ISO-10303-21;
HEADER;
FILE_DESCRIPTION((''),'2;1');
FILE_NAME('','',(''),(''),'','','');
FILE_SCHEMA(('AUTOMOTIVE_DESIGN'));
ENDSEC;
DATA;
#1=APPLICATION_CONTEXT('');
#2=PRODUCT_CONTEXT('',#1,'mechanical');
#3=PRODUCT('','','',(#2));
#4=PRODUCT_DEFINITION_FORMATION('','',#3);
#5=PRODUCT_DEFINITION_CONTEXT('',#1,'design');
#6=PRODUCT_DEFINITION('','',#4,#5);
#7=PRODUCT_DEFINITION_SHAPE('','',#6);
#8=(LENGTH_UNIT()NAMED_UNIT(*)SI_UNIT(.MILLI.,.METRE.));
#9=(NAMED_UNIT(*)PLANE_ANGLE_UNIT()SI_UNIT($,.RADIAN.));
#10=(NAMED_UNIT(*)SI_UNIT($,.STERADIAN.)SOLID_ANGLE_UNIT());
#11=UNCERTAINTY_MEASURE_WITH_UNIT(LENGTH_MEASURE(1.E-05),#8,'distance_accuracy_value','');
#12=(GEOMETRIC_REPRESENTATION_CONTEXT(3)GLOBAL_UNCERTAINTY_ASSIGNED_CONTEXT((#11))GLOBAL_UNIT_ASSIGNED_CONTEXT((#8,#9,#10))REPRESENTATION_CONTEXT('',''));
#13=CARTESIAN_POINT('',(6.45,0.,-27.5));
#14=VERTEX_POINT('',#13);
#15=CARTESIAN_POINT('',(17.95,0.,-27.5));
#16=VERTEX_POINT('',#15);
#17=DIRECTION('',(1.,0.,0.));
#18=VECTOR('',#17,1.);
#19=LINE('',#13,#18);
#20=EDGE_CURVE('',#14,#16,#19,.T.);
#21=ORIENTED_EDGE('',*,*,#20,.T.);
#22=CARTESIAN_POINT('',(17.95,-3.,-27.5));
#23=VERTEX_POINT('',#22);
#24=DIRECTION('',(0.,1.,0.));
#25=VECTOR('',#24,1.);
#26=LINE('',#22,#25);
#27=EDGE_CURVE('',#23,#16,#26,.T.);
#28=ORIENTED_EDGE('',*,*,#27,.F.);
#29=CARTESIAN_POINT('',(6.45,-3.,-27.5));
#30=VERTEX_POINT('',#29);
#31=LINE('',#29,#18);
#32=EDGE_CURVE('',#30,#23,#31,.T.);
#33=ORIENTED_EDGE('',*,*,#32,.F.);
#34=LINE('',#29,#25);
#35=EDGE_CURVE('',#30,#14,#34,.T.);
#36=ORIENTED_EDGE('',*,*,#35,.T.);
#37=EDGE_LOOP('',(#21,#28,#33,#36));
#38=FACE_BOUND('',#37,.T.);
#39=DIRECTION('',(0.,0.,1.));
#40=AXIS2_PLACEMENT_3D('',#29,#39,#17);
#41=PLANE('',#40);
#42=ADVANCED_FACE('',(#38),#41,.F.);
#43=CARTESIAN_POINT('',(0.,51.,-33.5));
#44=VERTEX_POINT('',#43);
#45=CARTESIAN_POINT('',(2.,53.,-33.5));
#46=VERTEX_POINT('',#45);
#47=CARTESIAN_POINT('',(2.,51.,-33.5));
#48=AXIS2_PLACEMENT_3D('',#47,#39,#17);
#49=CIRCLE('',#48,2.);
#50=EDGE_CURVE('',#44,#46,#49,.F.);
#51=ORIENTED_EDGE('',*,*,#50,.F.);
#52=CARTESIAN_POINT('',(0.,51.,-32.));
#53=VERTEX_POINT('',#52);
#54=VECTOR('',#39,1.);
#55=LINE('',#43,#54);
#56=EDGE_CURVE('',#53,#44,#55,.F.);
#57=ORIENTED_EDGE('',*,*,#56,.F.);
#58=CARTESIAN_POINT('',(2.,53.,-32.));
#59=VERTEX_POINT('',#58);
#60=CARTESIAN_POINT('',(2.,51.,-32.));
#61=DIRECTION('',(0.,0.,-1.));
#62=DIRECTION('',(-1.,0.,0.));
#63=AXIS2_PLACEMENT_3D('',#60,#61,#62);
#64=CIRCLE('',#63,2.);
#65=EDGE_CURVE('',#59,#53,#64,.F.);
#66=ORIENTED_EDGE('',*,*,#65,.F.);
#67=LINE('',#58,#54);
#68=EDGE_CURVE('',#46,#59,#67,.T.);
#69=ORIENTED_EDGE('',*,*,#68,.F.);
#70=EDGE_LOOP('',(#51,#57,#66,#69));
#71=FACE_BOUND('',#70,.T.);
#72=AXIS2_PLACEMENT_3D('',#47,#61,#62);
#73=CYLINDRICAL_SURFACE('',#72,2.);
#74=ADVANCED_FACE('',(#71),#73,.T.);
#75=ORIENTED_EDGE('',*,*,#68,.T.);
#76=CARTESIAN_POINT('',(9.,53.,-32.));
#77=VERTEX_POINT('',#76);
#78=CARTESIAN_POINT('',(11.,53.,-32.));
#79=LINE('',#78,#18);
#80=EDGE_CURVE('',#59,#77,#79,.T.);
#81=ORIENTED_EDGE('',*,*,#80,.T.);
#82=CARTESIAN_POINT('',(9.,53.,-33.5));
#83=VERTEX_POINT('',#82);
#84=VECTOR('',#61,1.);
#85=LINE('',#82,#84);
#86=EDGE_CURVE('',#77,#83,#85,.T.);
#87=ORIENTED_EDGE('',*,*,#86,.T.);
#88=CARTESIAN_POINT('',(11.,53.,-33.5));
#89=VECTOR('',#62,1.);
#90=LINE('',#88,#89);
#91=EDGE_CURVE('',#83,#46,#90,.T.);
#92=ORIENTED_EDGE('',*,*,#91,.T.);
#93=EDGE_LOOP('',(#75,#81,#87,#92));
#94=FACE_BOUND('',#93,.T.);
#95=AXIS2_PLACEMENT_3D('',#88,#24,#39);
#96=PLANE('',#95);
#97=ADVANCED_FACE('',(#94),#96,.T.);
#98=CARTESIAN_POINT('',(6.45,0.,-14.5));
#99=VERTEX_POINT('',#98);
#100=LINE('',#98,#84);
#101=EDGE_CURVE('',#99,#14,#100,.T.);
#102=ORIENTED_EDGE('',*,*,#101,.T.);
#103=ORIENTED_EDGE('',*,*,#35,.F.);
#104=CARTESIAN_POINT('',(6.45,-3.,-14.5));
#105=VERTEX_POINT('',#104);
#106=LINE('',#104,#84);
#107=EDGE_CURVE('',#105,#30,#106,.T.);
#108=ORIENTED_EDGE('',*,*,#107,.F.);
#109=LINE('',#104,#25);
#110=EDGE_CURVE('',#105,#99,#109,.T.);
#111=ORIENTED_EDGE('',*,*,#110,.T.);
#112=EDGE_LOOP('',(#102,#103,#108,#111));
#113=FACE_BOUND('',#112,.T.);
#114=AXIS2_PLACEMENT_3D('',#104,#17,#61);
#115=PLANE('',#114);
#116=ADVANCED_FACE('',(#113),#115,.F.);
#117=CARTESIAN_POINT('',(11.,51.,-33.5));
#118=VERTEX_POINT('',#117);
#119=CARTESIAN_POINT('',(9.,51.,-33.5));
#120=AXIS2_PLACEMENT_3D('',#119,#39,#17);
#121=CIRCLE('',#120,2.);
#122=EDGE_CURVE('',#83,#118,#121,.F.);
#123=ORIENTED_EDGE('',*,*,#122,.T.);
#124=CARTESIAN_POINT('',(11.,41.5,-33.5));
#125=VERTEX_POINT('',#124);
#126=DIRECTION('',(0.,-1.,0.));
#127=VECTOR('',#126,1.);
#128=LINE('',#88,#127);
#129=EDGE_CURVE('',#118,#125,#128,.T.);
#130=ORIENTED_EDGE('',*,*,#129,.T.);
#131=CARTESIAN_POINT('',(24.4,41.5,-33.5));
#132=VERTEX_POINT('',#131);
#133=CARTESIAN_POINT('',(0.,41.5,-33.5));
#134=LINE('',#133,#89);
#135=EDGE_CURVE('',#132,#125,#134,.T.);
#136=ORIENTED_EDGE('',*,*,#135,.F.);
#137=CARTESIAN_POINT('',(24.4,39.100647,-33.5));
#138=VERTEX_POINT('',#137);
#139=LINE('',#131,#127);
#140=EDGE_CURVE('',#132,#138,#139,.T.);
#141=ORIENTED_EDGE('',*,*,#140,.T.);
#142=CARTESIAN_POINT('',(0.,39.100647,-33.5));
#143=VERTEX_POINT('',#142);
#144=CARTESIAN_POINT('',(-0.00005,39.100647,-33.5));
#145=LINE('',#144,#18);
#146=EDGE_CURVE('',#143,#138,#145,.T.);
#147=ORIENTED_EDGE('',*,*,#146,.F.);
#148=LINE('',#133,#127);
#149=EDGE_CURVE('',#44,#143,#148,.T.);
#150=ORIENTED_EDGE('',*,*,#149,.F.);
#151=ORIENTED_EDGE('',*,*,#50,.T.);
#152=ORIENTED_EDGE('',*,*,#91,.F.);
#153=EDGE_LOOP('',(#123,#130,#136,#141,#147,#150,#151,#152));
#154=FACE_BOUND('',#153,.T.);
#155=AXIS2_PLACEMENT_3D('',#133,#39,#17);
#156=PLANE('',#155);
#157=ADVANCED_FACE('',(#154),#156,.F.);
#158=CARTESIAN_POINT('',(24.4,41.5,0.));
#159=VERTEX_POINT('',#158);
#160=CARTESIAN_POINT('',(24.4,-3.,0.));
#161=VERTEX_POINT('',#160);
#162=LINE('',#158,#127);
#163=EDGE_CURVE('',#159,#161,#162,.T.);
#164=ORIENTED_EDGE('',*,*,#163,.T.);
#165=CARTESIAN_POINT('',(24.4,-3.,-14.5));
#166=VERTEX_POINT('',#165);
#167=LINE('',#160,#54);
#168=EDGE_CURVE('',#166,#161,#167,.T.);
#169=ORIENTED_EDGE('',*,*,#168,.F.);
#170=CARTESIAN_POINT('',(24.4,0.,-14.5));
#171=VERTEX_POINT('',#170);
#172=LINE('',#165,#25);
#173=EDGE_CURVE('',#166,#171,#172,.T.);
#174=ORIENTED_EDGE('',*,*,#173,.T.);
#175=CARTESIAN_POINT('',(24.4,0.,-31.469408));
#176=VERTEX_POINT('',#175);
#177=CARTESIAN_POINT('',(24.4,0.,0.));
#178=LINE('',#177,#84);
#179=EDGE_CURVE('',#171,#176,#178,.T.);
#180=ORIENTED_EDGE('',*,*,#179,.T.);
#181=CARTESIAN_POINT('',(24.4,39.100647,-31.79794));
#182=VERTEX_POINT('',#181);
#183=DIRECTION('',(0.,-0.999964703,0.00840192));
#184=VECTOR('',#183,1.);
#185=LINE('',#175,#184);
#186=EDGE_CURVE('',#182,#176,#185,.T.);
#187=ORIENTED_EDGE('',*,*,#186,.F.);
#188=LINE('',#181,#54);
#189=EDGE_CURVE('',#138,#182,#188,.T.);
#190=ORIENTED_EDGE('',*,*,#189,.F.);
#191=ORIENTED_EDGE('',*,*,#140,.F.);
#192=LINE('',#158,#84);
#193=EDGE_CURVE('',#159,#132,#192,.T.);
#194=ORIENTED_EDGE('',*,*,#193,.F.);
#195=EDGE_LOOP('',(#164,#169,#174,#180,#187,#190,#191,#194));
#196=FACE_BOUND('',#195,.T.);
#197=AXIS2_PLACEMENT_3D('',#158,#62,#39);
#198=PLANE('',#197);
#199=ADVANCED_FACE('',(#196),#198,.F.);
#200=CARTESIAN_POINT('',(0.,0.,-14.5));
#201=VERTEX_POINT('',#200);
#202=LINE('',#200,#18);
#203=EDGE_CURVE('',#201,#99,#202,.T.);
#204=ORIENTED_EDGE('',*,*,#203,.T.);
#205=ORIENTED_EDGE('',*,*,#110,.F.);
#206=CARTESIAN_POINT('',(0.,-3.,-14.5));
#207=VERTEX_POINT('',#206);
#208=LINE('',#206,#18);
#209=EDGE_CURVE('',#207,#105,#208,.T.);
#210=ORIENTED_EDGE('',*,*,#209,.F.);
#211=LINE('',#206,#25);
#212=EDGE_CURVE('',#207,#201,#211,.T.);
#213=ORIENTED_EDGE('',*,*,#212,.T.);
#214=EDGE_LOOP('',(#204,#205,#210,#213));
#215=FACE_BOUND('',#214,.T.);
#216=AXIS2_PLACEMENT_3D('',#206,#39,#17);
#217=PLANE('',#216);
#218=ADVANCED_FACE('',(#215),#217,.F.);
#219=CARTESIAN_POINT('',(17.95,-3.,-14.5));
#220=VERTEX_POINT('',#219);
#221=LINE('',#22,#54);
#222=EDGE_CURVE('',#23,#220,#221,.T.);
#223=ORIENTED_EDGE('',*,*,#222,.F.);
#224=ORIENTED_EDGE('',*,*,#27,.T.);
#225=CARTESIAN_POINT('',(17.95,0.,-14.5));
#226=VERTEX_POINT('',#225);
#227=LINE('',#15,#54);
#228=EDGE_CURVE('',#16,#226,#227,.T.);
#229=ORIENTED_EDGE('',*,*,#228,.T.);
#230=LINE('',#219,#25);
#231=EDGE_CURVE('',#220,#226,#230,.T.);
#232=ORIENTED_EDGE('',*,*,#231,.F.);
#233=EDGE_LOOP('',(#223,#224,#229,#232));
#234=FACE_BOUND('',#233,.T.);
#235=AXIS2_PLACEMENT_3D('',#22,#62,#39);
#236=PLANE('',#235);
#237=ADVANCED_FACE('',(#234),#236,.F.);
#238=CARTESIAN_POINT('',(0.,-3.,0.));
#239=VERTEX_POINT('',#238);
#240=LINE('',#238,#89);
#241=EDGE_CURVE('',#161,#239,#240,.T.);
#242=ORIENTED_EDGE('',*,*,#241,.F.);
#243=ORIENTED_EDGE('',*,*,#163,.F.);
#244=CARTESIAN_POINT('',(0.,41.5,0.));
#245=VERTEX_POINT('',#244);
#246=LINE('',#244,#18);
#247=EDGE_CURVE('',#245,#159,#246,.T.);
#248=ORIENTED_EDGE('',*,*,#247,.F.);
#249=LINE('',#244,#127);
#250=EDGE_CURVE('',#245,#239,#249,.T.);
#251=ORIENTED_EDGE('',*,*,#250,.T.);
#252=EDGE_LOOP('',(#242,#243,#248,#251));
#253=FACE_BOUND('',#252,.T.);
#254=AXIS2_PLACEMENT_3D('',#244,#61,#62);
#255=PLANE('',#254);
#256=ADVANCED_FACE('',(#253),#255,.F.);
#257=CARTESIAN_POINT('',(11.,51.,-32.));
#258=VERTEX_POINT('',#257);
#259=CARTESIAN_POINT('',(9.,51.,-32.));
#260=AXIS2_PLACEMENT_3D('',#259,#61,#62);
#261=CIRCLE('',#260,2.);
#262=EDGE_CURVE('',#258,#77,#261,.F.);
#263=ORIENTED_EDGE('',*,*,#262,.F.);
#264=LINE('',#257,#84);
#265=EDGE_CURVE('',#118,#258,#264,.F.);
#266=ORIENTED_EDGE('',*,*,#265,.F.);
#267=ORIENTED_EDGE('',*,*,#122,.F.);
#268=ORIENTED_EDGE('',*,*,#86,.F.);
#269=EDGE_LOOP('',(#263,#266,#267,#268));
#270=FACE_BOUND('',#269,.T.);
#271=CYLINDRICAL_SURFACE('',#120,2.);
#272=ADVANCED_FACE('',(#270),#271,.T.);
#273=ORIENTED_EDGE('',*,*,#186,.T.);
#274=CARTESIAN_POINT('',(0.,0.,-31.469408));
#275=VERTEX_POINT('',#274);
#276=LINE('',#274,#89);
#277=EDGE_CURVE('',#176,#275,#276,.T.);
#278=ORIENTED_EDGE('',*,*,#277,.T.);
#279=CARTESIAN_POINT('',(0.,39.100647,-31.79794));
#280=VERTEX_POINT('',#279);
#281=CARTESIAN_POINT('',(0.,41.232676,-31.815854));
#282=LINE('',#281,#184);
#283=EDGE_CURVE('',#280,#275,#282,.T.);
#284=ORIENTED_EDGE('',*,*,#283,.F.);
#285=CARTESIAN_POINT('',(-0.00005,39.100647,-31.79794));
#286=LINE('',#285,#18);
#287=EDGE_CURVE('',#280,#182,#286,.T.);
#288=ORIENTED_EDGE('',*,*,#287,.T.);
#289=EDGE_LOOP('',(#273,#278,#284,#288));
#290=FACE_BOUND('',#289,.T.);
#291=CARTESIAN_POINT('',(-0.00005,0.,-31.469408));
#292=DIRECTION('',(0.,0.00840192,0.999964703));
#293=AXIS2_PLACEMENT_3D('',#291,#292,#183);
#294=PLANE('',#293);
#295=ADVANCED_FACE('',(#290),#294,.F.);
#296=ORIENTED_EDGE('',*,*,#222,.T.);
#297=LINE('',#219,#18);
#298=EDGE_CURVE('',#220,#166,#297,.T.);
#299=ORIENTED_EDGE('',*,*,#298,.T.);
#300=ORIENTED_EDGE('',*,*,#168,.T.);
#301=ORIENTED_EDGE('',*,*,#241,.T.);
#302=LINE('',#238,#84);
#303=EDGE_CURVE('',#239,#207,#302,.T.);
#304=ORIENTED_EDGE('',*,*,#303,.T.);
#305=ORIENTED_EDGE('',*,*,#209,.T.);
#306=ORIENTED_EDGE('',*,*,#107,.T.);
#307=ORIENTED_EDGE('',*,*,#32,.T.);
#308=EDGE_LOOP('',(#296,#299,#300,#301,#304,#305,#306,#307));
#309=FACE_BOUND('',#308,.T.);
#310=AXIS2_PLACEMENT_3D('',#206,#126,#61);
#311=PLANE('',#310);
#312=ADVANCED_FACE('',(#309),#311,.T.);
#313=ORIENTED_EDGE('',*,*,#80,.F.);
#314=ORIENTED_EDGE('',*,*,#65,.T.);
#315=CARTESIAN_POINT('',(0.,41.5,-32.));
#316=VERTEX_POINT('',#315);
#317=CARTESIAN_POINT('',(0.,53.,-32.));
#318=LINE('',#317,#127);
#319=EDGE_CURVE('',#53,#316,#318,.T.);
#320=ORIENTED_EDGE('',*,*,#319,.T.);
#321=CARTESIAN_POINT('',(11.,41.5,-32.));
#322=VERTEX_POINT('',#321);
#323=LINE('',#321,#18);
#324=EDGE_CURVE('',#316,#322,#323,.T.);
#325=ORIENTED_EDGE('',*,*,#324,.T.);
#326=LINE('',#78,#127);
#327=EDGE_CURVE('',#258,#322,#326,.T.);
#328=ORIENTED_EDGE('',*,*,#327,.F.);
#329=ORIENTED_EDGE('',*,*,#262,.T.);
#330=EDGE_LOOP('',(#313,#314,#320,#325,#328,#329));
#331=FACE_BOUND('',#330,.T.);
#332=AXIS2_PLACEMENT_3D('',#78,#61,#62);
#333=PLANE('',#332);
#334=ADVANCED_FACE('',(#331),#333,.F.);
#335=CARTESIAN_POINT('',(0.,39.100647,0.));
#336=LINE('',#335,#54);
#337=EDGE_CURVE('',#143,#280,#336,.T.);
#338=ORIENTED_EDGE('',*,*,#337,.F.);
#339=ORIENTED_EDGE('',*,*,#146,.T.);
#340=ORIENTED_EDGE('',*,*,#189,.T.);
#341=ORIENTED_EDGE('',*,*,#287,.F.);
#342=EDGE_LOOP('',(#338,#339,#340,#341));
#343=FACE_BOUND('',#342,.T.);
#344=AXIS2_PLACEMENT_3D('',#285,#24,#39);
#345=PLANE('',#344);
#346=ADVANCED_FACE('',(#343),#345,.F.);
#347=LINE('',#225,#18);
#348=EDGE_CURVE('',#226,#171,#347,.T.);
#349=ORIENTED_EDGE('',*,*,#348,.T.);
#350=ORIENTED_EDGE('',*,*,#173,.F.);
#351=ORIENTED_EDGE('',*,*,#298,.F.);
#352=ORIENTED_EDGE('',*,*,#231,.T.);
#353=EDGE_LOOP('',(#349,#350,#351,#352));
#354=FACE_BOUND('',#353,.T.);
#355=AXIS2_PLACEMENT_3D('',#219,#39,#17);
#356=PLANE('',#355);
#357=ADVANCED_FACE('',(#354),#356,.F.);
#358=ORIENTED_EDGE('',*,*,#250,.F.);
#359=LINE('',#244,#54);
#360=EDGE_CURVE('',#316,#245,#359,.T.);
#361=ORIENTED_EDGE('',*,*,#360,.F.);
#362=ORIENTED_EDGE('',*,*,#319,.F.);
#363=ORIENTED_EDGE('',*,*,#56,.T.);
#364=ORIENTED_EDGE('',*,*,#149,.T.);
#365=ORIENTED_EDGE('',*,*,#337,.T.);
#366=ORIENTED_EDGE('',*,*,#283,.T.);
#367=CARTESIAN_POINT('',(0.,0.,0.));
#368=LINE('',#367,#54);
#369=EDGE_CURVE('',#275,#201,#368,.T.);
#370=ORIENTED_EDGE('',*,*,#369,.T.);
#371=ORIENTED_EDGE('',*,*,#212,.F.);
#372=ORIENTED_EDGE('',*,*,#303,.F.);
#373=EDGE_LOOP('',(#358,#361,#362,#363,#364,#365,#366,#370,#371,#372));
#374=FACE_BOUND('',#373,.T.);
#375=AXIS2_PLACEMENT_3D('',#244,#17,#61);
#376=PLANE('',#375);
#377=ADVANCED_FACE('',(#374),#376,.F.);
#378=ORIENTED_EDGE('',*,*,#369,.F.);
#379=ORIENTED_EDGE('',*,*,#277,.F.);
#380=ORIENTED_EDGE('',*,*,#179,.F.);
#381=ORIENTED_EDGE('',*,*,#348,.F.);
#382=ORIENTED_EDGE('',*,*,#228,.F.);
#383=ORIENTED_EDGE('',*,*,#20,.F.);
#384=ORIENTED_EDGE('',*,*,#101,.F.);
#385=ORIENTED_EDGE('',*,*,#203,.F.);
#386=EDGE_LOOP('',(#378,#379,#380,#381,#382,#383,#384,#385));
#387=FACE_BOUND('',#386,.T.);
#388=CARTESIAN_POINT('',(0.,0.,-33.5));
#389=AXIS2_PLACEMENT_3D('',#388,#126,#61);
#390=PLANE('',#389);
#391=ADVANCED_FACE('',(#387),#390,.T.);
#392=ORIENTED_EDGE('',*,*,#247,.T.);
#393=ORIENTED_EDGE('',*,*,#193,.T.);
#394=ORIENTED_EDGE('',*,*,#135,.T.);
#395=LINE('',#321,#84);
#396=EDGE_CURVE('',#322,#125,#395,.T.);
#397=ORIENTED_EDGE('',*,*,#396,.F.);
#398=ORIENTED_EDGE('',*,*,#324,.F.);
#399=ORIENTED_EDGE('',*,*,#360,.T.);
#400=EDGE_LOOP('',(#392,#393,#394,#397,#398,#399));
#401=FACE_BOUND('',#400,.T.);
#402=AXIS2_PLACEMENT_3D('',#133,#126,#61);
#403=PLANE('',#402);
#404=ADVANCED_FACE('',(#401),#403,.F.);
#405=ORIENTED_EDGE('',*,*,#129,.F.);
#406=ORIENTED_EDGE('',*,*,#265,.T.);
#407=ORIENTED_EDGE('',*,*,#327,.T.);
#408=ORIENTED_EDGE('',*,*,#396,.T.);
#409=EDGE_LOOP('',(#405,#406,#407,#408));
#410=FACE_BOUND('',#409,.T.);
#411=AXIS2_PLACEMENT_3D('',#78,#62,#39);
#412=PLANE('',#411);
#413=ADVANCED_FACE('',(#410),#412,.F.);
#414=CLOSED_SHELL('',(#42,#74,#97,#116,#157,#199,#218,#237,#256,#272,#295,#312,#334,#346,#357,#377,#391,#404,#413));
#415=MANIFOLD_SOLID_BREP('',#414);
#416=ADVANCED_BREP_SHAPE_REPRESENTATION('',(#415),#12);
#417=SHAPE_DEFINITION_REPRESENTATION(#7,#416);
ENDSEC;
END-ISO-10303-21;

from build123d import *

# Parameters (mm, degrees)
SKETCH1_W           = 24.4
SKETCH1_H           = 33.5
BOSS_EXTRUDE1_DEPTH = 41.5
BOSS_EXTRUDE2_DEPTH = 3
SKETCH4_W           = 11
SKETCH4_H           = 1.5
BOSS_EXTRUDE3_DEPTH = 11.5
CUT_EXTRUDE1_DEPTH  = 25.4
FILLET1_R           = 2


with BuildPart() as part:
    # Sketch1 → Boss-Extrude1 (new body)
    with BuildSketch(Plane(origin=(0, 0, 0), x_dir=(1, 0, 0), z_dir=(0, 1, 0))):
        with Locations((12.2, 16.75)):
            Rectangle(SKETCH1_W, SKETCH1_H)
    extrude(amount=BOSS_EXTRUDE1_DEPTH)

    # Sketch3 → Boss-Extrude2 (add)
    with BuildSketch(Plane.XZ):
        Polygon((0, 0), (24.4, 0), (24.4, -14.5), (17.95, -14.5), (17.95, -27.5), (6.45, -27.5), (6.45, -14.5), (0, -14.5), align=None)
    extrude(amount=BOSS_EXTRUDE2_DEPTH)

    # Sketch4 → Boss-Extrude3 (add)
    with BuildSketch(Plane(origin=(0, 41.5, 0), x_dir=(-1, 0, 0), z_dir=(0, 1, 0))):
        with Locations((-5.5, -32.75)):
            Rectangle(SKETCH4_W, SKETCH4_H)
    extrude(amount=BOSS_EXTRUDE3_DEPTH)

    # Sketch5 → Cut-Extrude1 (cut, through all)
    with BuildSketch(Plane(origin=(24.4, 0, 0), x_dir=(0, 0, -1), z_dir=(1, 0, 0))):
        Polygon((33.5, 0), (31.46940795, 0), (31.797940048, 39.10064674), (33.5, 39.10064674), align=None)
    extrude(amount=-CUT_EXTRUDE1_DEPTH, mode=Mode.SUBTRACT)

    # Fillet1
    fillet1_edges = [part.edges().sort_by_distance(p)[0] for p in [
        (0, 53, -32.75),
        (11, 53, -32.75),
    ]]
    fillet(fillet1_edges, radius=FILLET1_R)


solid = part.part
